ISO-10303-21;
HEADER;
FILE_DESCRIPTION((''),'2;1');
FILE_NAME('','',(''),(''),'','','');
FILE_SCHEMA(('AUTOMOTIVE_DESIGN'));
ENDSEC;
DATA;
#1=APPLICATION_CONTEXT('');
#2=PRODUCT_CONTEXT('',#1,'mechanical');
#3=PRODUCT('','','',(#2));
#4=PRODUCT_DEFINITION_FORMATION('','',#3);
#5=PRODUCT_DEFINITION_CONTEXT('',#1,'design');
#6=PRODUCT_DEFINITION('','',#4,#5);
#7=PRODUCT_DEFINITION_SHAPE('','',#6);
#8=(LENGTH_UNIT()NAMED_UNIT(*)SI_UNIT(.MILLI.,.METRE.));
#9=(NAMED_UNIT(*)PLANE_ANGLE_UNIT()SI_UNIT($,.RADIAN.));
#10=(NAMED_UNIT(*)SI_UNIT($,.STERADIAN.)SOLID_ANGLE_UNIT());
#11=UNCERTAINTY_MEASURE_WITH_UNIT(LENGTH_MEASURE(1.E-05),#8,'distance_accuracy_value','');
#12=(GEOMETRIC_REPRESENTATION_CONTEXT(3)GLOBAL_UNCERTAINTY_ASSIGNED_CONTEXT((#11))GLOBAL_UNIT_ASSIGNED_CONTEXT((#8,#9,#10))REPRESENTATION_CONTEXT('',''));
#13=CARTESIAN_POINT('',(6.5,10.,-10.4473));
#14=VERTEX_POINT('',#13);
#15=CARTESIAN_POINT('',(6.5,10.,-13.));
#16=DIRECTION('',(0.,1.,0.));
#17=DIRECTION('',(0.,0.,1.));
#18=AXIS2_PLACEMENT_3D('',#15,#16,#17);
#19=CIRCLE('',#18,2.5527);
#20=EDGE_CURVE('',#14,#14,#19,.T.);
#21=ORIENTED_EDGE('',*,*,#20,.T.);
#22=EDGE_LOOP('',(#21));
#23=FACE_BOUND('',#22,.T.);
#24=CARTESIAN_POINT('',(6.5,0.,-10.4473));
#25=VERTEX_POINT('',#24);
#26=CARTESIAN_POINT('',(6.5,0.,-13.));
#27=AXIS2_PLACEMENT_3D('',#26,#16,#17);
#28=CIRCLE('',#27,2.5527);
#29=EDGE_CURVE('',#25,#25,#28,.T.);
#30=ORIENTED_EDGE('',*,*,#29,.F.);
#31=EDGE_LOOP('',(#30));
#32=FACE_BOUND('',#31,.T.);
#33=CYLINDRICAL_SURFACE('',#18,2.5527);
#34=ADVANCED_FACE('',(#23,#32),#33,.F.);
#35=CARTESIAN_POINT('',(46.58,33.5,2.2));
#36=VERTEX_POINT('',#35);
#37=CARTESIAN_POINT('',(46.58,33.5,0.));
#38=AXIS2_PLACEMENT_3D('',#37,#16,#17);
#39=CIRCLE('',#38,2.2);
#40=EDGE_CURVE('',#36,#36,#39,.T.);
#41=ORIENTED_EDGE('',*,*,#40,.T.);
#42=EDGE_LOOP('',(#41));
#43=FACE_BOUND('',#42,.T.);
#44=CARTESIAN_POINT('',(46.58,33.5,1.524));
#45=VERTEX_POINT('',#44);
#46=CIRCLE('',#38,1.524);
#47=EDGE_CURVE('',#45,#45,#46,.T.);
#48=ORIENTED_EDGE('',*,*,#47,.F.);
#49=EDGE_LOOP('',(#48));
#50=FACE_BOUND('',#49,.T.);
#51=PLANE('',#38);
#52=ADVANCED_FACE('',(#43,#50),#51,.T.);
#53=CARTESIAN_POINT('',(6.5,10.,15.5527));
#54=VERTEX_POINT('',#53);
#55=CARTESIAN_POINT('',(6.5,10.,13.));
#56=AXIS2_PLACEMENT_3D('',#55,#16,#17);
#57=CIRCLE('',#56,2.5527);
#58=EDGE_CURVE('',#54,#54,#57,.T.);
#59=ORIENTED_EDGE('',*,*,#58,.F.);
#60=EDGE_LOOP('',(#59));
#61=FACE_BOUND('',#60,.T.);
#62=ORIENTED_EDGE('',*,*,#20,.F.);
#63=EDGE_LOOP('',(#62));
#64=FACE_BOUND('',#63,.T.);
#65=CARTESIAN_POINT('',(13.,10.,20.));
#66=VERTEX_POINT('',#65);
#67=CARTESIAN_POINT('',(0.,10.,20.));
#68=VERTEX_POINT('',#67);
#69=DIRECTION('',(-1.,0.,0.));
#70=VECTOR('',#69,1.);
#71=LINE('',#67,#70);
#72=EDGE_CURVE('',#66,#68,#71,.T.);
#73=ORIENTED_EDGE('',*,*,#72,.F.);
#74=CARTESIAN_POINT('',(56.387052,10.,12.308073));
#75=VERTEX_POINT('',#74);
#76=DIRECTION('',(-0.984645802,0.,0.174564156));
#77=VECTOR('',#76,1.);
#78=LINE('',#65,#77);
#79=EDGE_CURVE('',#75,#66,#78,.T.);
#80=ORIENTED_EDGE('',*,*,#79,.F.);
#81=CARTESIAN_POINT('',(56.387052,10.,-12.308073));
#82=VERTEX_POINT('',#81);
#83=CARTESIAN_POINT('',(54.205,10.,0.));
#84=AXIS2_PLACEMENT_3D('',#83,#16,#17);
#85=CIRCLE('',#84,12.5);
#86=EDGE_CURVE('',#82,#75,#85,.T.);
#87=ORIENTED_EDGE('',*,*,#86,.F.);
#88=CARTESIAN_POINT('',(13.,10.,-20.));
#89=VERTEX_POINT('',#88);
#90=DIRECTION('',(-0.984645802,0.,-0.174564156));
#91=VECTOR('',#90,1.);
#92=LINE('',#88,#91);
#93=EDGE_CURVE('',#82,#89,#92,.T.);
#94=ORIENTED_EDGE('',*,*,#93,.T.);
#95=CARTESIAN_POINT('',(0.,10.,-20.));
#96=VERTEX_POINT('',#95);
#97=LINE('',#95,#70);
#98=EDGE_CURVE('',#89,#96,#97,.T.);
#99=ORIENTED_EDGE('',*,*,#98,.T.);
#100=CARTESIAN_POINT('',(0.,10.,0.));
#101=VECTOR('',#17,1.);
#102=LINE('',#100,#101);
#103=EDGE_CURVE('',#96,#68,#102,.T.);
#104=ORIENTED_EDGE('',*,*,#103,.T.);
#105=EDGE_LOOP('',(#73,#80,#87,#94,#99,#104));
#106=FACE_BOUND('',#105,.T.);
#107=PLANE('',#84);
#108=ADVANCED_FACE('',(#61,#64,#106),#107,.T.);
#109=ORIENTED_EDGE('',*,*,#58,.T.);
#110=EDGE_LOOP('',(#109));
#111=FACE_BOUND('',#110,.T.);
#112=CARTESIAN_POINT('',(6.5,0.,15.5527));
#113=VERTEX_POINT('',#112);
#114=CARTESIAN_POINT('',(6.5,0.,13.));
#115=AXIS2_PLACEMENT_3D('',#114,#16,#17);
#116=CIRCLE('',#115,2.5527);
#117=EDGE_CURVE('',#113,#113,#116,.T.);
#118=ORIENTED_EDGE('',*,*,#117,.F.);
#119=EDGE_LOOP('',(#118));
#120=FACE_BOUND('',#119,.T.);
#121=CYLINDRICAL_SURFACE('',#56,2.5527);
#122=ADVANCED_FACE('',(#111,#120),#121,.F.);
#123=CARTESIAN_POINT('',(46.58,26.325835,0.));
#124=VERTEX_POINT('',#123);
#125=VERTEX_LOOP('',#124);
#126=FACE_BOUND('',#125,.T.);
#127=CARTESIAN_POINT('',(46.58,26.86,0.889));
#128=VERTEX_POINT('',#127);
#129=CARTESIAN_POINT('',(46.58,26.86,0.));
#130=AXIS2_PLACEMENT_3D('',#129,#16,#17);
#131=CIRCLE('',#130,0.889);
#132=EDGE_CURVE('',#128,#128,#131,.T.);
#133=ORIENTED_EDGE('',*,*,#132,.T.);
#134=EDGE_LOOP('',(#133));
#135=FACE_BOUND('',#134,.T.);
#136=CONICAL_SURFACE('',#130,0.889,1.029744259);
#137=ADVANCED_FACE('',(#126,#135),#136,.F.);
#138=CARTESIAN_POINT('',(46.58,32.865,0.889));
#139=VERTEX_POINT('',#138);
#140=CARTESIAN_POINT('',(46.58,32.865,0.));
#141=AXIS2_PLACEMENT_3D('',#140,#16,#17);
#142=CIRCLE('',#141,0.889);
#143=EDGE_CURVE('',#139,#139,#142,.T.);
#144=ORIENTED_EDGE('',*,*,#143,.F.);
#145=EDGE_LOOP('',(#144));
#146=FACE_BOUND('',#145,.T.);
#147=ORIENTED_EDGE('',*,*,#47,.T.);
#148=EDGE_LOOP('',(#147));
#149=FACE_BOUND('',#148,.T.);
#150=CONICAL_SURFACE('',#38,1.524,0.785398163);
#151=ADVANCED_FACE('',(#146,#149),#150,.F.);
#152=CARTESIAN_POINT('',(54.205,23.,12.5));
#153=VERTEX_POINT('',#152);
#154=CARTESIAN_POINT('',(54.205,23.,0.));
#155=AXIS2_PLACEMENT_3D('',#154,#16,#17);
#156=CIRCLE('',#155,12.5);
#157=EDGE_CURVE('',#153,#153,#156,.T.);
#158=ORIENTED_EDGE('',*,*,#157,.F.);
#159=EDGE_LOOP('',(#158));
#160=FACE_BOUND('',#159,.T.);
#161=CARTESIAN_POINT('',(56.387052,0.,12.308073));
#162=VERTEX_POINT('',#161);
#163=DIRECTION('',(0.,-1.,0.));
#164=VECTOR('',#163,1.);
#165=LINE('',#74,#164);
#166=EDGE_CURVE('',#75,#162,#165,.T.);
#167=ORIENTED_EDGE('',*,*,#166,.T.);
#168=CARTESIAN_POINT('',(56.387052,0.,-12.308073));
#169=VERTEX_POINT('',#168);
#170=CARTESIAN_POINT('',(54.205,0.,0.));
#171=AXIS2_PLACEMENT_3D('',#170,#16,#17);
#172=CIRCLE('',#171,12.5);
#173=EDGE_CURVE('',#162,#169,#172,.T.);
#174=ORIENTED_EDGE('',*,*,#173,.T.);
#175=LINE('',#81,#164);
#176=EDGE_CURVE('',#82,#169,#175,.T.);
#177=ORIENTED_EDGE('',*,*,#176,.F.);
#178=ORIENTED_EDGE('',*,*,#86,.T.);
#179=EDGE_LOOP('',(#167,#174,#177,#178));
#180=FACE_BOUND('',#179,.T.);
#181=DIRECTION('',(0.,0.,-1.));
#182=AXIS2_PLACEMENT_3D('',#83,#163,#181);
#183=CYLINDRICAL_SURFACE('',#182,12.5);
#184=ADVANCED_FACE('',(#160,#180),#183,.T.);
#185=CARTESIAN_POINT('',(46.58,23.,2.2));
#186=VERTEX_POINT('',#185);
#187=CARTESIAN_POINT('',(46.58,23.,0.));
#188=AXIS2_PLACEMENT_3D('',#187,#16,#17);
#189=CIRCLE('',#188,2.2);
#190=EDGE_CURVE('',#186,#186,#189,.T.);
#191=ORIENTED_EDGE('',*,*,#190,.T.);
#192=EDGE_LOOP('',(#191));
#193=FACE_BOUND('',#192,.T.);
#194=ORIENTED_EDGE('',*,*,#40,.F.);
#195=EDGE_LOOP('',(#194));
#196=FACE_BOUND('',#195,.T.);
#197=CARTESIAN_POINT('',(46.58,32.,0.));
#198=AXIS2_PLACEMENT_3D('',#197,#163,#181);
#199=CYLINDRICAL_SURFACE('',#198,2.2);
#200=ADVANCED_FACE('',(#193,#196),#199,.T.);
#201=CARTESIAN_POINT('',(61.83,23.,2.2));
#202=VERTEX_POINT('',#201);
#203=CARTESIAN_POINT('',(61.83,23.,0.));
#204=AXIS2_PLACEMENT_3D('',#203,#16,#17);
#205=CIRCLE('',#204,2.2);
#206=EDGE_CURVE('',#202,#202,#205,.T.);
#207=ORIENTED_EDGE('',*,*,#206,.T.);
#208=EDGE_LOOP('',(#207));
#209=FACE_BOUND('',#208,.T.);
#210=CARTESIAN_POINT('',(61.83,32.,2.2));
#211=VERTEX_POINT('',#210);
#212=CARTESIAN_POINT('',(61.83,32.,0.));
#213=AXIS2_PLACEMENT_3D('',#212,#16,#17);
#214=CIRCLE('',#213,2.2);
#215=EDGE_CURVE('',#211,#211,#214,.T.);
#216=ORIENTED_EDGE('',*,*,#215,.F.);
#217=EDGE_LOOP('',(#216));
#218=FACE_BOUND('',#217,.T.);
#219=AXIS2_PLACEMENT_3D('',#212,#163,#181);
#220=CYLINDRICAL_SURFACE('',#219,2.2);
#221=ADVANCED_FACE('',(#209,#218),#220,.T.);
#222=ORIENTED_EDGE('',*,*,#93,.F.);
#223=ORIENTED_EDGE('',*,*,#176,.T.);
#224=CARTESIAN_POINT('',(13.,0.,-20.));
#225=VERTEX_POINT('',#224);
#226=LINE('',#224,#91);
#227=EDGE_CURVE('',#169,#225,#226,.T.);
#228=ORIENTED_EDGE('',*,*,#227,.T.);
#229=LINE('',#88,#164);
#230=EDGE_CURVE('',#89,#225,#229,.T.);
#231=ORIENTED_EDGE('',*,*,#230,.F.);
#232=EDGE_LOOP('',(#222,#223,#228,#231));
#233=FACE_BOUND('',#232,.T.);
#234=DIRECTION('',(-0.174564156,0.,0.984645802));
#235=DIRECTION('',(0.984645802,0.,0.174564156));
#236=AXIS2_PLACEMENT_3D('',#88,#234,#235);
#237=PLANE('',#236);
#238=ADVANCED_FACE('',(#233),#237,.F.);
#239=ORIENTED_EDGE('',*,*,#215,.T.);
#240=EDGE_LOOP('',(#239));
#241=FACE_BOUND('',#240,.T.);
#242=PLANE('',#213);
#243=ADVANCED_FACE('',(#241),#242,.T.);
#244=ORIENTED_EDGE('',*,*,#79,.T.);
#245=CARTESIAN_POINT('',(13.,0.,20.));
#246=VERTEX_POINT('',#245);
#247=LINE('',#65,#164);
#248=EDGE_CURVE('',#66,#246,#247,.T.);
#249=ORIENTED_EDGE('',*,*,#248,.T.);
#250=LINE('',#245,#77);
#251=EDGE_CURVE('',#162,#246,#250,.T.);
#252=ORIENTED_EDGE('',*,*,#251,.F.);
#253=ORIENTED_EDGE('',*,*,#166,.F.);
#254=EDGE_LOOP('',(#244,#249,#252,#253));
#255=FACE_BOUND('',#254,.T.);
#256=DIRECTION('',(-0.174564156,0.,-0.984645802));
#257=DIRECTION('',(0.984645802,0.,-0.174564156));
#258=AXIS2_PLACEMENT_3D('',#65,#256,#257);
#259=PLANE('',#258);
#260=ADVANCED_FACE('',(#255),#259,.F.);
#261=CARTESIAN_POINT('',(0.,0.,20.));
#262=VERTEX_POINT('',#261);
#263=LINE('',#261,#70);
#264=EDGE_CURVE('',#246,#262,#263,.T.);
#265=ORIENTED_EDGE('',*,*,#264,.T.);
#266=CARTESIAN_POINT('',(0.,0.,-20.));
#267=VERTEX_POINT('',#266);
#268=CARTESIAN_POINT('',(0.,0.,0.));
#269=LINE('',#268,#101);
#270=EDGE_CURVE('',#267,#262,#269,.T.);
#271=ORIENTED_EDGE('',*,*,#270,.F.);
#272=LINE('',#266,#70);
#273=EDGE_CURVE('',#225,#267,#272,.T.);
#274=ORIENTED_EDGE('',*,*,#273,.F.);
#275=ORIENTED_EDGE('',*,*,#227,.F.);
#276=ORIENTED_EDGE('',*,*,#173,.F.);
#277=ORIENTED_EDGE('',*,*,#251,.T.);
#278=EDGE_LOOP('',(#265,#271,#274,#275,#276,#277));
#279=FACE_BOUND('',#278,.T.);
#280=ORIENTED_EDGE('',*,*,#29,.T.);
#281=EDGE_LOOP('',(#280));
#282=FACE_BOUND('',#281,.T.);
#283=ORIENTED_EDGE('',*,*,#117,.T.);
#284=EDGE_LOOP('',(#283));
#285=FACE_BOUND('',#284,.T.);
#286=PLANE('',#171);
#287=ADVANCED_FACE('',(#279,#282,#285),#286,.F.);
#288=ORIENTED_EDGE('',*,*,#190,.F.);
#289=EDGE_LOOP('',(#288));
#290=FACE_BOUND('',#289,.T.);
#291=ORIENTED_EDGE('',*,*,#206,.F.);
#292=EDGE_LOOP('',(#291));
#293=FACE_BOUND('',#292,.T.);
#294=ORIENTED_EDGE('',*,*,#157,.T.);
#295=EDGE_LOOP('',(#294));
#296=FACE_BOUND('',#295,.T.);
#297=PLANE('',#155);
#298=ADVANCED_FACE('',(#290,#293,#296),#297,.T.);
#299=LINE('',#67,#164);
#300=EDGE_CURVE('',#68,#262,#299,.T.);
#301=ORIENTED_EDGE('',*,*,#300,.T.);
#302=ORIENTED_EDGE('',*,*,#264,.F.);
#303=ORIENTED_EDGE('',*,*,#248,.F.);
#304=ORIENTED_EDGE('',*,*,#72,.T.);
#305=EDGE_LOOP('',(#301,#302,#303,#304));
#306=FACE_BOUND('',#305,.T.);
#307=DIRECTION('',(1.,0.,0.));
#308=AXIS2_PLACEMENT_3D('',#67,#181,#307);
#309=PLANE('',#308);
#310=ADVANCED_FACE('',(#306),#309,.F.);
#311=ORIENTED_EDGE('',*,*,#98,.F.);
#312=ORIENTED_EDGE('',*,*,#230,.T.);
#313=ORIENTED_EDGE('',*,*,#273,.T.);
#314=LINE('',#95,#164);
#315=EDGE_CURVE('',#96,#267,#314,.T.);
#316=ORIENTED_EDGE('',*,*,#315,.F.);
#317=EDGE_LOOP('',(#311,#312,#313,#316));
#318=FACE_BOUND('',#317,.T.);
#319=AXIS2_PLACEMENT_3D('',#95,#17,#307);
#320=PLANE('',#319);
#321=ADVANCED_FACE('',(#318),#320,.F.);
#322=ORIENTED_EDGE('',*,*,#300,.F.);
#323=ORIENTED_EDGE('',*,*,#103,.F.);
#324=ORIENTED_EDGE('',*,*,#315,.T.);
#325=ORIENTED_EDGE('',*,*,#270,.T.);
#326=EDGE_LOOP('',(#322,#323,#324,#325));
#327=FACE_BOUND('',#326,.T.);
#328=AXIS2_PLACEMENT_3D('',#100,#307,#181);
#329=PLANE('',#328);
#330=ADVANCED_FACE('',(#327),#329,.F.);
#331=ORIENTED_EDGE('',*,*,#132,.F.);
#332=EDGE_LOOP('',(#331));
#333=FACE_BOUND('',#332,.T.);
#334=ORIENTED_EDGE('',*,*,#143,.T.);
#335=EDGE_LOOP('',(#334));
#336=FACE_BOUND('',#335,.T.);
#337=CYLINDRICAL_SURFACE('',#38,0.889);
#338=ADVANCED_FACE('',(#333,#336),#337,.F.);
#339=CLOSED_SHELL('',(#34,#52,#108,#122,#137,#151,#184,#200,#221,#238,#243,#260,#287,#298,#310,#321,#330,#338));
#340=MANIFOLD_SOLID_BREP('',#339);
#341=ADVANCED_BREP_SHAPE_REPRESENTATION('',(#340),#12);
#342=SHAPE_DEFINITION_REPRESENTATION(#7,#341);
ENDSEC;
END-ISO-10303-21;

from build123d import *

# Parameters (mm, degrees)
BOSS_EXTRUDE1_DEPTH             = 10
SKETCH2_R                       = 12.5
BOSS_EXTRUDE2_DEPTH             = 13
F_10_CLEARANCE_HOLE1_D          = 5.1054
F_10_CLEARANCE_HOLE1_DEPTH      = 135.89
F_10_CLEARANCE_HOLE1_TIP        = 1.533816902
SKETCH6_R                       = 2.2
BOSS_EXTRUDE3_DEPTH             = 9
SKETCH7_R                       = 2.2
BOSS_EXTRUDE4_DEPTH             = 1.5
F_2_56_TAPPED_HOLE1_D           = 1.778
F_2_56_TAPPED_HOLE1_DEPTH       = 6.64
F_2_56_TAPPED_HOLE1_CSINK_D     = 3.048
F_2_56_TAPPED_HOLE1_CSINK_ANGLE = 90
F_2_56_TAPPED_HOLE1_TIP         = 0.53416509


with BuildPart() as part:
    # Sketch1 → Boss-Extrude1 (new body)
    with BuildSketch(Plane(origin=(0, 0, 0), x_dir=(1, 0, 0), z_dir=(0, 1, 0))):
        with BuildLine():
            Line((0, 0), (0, 20))
            Line((0, 20), (13, 20))
            Line((13, 20), (56.387051948, 12.308072526))
            ThreePointArc((56.387051948, 12.308072526), (63.784291449, 8.030390733), (66.705, 0))
            Line((66.705, 0), (0, 0))
        make_face()
    extrude(amount=BOSS_EXTRUDE1_DEPTH)

    # Mirror1: part across plane


with BuildPart() as part_1:
    add(part.part)
    add(part.part.mirror(Plane(origin=(66.705, 10, 0), x_dir=(1, 0, 0), z_dir=(0, 0, -1))))

    # Sketch2 → Boss-Extrude2 (add)
    with BuildSketch(Plane(origin=(0, 10, 0), x_dir=(1, 0, 0), z_dir=(0, 1, 0))):
        with Locations(Location((54.205, 0, 0), (0, 0, 79.946704324))):  # turned: the seam where the file's is
            Circle(SKETCH2_R)
    extrude(amount=BOSS_EXTRUDE2_DEPTH)

    # #10 Clearance Hole1
    with Locations(Plane(origin=(0, 10, 0), x_dir=(1, 0, 0), z_dir=(0, 1, 0))):
        with Locations((6.5, 13), (6.5, -13)):
            Hole(F_10_CLEARANCE_HOLE1_D / 2, depth=F_10_CLEARANCE_HOLE1_DEPTH)
            with Locations((0, 0, -(F_10_CLEARANCE_HOLE1_DEPTH + F_10_CLEARANCE_HOLE1_TIP / 2))):  # 118° drill point
                Cone(0, F_10_CLEARANCE_HOLE1_D / 2, F_10_CLEARANCE_HOLE1_TIP, mode=Mode.SUBTRACT)

    # Sketch6 → Boss-Extrude3 (add)
    with BuildSketch(Plane(origin=(0, 23, 0), x_dir=(1, 0, 0), z_dir=(0, 1, 0))):
        with Locations(Location((61.83, 0, 0), (0, 0, 270))):  # turned: the seam where the file's is
            Circle(SKETCH6_R)
        with Locations(Location((46.58, 0, 0), (0, 0, 270))):  # turned: the seam where the file's is
            Circle(SKETCH6_R)
    extrude(amount=BOSS_EXTRUDE3_DEPTH)

    # Sketch7 → Boss-Extrude4 (add)
    with BuildSketch(Plane(origin=(0, 32, 0), x_dir=(1, 0, 0), z_dir=(0, 1, 0))):
        with Locations(Location((46.58, 0, 0), (0, 0, 270))):  # turned: the seam where the file's is
            Circle(SKETCH7_R)
    extrude(amount=BOSS_EXTRUDE4_DEPTH)

    # #2-56 Tapped Hole1
    with Locations(Plane(origin=(0, 33.5, 0), x_dir=(1, 0, 0), z_dir=(0, 1, 0))):
        with Locations((46.58, 0)):
            CounterSinkHole(F_2_56_TAPPED_HOLE1_D / 2, F_2_56_TAPPED_HOLE1_CSINK_D / 2, depth=F_2_56_TAPPED_HOLE1_DEPTH, counter_sink_angle=F_2_56_TAPPED_HOLE1_CSINK_ANGLE)
            with Locations((0, 0, -(F_2_56_TAPPED_HOLE1_DEPTH + F_2_56_TAPPED_HOLE1_TIP / 2))):  # 118° drill point
                Cone(0, F_2_56_TAPPED_HOLE1_D / 2, F_2_56_TAPPED_HOLE1_TIP, mode=Mode.SUBTRACT)


solid = part_1.part
